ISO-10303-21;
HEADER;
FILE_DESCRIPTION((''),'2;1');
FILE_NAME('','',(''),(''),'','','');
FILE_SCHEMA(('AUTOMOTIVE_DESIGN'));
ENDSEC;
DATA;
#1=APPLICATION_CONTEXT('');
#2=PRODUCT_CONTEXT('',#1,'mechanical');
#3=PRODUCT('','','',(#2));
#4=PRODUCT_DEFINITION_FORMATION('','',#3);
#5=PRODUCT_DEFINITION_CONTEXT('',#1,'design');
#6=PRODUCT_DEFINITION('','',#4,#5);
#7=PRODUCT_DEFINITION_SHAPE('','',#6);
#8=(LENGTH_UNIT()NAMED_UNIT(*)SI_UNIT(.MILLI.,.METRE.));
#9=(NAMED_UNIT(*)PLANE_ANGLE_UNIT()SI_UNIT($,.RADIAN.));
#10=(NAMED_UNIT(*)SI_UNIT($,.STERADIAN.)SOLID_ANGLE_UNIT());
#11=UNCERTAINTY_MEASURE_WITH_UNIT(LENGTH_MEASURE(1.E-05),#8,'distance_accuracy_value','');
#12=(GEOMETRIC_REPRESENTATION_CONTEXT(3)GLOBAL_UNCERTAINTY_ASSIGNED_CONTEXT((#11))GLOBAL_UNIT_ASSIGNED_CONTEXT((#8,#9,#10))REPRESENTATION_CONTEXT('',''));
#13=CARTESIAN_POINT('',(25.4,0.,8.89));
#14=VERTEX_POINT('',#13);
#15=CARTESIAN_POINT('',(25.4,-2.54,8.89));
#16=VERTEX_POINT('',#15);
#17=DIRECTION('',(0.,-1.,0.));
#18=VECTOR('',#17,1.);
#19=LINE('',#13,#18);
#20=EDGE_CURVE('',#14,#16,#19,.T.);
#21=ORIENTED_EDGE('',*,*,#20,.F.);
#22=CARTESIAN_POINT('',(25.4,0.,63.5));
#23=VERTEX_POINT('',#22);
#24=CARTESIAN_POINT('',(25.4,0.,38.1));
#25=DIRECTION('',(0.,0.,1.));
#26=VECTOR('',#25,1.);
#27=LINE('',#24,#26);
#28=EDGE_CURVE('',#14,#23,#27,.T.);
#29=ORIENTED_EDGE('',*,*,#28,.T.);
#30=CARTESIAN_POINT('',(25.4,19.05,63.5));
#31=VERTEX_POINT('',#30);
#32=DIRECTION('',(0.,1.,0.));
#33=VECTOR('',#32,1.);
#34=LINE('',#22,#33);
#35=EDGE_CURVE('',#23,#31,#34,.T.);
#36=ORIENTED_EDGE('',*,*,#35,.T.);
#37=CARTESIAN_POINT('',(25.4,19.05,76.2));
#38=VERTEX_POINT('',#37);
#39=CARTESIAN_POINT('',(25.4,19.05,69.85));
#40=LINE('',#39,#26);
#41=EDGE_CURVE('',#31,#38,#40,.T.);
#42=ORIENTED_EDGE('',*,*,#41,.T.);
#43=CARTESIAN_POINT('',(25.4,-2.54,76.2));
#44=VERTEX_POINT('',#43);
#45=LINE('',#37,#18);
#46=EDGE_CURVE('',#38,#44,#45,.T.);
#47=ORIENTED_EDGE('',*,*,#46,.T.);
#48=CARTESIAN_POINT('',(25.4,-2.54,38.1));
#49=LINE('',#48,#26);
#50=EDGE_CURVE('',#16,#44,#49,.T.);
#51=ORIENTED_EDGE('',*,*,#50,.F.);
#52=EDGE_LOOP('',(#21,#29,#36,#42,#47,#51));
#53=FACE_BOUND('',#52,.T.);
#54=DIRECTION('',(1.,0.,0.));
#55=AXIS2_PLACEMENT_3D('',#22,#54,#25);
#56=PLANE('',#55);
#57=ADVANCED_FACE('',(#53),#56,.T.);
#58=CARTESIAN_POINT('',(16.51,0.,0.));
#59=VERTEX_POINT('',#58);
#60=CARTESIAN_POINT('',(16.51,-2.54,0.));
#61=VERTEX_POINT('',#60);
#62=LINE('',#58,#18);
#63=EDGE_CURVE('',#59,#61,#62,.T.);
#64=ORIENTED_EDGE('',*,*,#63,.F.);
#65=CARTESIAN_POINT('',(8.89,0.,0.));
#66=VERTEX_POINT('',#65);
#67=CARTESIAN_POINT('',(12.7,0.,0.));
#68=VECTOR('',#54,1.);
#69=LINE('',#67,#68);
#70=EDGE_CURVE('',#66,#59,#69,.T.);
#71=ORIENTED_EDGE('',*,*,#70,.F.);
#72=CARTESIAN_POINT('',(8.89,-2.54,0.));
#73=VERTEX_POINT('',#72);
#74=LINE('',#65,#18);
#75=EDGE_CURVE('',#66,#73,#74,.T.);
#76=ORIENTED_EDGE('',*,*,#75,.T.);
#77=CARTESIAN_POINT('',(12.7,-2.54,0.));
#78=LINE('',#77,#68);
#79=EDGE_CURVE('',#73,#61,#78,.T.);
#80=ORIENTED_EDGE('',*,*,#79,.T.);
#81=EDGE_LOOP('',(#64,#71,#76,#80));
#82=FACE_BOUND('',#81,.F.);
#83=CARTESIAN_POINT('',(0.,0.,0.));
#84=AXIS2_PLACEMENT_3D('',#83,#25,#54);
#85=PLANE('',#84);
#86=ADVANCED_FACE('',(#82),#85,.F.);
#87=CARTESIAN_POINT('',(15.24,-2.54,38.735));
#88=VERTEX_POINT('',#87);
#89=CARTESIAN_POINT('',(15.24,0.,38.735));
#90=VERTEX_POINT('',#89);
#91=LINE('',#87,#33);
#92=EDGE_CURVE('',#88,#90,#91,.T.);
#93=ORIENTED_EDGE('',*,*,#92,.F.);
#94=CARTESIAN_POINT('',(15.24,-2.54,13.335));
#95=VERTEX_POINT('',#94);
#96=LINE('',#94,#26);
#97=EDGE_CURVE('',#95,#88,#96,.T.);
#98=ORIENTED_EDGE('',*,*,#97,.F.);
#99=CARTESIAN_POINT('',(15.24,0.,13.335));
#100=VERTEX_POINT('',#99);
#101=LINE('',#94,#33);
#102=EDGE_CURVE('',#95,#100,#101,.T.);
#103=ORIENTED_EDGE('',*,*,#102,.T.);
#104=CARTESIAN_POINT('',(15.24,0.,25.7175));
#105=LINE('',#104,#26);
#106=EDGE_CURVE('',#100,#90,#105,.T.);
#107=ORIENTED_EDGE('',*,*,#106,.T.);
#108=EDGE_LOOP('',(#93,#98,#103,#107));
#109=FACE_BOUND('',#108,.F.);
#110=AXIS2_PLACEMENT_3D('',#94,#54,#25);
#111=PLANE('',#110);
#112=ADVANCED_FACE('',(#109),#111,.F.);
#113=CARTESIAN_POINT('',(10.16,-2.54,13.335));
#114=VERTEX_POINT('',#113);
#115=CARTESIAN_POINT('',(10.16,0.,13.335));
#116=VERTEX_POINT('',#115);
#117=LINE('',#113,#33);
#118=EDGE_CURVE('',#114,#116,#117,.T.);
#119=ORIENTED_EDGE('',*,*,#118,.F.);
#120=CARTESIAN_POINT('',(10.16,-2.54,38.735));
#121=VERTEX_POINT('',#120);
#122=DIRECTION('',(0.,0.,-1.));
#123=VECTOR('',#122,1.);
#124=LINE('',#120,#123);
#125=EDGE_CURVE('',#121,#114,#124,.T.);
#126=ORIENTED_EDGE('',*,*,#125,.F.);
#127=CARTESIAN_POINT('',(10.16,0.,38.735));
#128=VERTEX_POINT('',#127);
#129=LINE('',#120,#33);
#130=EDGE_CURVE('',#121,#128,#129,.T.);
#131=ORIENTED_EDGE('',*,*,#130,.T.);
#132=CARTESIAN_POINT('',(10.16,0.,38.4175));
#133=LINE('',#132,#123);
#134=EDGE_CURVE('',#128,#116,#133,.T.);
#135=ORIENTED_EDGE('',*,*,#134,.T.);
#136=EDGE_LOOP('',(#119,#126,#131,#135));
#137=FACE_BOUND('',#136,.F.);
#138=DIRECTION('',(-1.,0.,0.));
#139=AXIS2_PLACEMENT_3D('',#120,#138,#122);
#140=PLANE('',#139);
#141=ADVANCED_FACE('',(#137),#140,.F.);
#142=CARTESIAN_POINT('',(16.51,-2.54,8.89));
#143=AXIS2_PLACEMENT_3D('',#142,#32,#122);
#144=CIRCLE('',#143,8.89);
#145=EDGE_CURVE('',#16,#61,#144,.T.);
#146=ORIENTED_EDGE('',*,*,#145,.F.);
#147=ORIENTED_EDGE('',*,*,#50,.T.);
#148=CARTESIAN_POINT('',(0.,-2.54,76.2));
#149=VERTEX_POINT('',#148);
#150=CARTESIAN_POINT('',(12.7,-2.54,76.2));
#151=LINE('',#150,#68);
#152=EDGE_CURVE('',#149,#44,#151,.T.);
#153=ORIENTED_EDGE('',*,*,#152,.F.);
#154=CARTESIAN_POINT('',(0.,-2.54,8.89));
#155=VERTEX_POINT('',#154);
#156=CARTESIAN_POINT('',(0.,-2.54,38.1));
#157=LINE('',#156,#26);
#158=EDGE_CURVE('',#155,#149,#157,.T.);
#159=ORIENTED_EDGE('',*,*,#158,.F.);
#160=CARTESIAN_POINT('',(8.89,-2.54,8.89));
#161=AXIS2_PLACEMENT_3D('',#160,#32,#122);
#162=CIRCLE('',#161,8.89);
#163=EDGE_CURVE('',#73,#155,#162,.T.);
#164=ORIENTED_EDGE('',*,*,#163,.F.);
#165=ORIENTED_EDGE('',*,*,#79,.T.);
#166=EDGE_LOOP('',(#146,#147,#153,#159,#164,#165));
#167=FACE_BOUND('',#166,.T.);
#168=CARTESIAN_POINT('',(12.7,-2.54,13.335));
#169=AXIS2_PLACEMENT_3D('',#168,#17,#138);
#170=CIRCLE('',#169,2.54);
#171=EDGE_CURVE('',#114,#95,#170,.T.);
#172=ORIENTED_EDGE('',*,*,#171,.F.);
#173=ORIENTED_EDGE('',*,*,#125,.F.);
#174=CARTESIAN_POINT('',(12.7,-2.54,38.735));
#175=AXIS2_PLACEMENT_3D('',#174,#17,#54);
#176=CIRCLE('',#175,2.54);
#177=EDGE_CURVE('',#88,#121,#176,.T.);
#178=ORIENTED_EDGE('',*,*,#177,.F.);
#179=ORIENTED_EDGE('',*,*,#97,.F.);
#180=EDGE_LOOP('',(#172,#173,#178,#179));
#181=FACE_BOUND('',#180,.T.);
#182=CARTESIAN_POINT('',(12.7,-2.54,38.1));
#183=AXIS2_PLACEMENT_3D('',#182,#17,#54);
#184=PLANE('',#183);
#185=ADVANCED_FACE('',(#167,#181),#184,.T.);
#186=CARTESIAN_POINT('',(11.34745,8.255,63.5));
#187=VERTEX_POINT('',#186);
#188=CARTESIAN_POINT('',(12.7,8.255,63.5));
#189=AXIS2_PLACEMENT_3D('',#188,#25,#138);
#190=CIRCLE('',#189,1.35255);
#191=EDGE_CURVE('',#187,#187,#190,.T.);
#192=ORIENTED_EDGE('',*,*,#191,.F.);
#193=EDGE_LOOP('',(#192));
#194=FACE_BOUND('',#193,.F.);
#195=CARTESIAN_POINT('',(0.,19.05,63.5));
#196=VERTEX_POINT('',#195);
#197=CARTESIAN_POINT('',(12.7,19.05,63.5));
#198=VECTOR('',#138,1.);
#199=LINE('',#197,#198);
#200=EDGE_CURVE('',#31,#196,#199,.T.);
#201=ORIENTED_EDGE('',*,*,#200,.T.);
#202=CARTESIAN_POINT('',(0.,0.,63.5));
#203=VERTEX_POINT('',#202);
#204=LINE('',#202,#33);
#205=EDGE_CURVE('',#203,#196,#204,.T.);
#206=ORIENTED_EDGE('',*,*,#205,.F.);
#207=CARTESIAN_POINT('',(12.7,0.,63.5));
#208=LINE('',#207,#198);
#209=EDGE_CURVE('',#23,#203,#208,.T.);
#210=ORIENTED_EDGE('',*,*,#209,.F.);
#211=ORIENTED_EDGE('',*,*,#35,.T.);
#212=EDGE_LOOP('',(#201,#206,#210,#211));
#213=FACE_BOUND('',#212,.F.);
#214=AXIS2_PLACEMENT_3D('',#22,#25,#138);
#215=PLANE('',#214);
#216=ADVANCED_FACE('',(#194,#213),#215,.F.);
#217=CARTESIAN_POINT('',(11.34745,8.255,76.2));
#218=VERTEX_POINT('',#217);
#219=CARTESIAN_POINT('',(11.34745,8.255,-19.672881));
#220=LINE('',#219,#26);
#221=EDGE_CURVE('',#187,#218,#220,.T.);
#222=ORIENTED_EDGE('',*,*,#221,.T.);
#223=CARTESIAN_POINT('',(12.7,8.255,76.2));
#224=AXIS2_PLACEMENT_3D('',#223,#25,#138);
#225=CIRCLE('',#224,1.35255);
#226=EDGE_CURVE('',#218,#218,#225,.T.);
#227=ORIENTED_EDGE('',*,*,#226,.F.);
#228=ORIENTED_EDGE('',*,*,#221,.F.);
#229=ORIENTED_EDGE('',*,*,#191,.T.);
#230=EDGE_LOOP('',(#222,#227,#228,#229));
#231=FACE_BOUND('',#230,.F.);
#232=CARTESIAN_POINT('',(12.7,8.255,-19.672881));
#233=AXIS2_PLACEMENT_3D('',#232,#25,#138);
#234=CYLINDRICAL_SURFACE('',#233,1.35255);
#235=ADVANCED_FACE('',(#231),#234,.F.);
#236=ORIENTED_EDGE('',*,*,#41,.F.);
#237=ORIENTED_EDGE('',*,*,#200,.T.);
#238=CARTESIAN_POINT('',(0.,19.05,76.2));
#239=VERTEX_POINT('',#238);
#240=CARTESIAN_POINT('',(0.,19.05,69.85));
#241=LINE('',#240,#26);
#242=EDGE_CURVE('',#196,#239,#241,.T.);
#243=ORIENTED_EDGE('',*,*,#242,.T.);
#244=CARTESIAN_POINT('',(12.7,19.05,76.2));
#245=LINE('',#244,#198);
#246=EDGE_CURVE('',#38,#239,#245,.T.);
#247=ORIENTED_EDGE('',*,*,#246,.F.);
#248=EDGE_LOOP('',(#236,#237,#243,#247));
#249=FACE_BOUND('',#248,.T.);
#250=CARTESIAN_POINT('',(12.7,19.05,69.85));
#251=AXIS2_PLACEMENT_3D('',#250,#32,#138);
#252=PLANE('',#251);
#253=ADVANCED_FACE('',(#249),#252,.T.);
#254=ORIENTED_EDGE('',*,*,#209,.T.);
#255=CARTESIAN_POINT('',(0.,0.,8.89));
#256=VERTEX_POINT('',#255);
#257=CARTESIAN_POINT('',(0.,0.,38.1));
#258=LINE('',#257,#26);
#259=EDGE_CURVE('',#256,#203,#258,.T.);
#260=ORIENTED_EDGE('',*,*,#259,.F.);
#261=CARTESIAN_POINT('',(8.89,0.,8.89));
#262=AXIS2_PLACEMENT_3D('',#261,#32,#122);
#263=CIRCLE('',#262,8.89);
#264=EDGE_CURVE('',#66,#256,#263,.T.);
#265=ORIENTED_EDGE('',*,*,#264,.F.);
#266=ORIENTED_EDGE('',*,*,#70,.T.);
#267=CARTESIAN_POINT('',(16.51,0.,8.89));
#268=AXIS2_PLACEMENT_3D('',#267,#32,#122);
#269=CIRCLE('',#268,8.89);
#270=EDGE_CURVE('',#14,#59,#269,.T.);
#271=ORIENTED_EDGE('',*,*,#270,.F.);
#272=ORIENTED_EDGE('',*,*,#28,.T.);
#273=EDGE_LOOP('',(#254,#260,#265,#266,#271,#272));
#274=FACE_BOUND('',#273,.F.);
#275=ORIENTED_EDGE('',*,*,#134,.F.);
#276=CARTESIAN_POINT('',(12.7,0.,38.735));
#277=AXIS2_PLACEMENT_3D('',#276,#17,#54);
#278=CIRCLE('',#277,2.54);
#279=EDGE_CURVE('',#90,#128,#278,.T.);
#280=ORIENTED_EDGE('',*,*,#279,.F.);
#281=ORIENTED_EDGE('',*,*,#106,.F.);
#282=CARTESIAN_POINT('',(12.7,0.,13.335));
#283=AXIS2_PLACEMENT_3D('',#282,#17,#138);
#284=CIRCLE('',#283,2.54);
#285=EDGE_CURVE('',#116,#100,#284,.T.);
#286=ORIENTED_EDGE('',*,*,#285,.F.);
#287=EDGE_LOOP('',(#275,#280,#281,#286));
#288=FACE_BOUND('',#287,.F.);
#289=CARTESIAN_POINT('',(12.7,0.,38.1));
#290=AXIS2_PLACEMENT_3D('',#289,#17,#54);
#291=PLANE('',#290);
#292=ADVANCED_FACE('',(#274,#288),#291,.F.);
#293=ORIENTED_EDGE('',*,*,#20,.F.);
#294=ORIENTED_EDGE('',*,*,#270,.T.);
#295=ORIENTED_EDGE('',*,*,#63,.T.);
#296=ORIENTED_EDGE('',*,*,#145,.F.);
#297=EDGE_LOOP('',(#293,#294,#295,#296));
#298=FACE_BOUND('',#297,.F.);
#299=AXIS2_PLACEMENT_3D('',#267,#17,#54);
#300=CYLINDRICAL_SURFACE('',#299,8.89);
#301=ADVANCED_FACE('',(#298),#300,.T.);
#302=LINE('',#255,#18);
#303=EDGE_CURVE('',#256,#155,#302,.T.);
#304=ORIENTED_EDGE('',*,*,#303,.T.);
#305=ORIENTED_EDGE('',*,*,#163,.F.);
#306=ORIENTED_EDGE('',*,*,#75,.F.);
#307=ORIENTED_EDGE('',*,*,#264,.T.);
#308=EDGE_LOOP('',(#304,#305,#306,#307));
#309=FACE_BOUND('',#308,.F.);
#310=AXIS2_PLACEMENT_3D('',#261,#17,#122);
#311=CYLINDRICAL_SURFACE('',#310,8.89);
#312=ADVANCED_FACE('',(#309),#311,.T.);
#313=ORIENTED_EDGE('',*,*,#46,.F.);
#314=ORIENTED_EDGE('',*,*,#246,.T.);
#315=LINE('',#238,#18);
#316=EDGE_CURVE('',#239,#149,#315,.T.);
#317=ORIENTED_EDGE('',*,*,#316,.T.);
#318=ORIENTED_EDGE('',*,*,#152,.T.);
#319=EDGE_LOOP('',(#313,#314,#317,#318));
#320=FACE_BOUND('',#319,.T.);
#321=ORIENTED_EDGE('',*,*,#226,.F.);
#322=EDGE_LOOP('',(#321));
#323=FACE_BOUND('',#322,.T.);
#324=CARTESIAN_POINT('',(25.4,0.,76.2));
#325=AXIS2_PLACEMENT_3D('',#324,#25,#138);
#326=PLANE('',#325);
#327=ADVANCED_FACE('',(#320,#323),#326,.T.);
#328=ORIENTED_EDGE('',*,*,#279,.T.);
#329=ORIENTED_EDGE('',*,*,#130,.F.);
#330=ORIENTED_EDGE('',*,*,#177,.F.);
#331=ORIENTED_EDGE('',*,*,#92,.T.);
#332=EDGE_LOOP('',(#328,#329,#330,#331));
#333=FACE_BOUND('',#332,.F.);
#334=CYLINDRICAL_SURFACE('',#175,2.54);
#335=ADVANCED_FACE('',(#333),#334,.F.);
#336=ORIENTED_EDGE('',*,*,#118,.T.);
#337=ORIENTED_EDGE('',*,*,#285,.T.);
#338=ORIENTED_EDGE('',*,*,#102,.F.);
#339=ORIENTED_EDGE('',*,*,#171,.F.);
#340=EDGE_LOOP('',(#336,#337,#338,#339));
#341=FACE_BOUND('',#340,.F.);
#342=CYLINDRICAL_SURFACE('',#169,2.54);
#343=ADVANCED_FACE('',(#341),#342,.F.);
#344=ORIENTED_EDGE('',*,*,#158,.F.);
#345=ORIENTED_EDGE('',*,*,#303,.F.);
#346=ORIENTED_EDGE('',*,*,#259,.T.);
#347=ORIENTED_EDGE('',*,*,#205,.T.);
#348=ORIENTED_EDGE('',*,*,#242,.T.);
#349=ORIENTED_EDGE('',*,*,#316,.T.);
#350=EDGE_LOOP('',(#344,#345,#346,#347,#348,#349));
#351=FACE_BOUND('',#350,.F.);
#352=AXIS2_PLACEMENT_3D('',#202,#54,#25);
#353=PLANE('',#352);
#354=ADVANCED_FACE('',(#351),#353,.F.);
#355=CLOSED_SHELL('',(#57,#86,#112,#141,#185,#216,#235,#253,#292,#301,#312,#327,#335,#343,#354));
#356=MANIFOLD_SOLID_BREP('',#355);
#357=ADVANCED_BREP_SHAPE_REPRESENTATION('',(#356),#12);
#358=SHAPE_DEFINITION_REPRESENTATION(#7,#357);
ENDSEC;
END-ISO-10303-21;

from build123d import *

# Parameters (mm, degrees)
F0_W     = 25.4
F0_H     = 76.2
F1_DEPTH = 2.54
F2_W     = 25.4
F2_H     = 12.7
F3_DEPTH = 19.05
F5_D     = 2.7051
F7_DEPTH = 21.591
F8_R     = 8.89


with BuildPart() as f1:
    # F0 (on Front) → F1 (new body)
    with BuildSketch(Plane.XZ):
        with Locations((12.7, 38.1)):
            Rectangle(F0_W, F0_H)
    extrude(amount=F1_DEPTH)

    # F2 (on face) → F3 (join)
    with BuildSketch(Plane(origin=(0, 0, 0), x_dir=(-1, 0, 0), z_dir=(0, 1, 0))):
        with Locations((-12.7, 69.85)):
            Rectangle(F2_W, F2_H)
    extrude(amount=F3_DEPTH)

    # F5 (through all)
    with Locations(Plane(origin=(0, 0, 63.5), x_dir=(1, 0, 0), z_dir=(0, 0, -1))):
        with Locations((12.7, -8.255)):
            Hole(F5_D / 2)

    # F6 (on face) → F7 (cut, through all)
    with BuildSketch(Plane.XZ.offset(2.54)):
        with BuildLine():
            ThreePointArc((15.24, 38.735), (12.7, 41.275), (10.16, 38.735))
            Line((10.16, 38.735), (10.16, 13.335))
            ThreePointArc((10.16, 13.335), (12.7, 10.795), (15.24, 13.335))
            Line((15.24, 13.335), (15.24, 38.735))
        make_face()
    extrude(amount=-F7_DEPTH, mode=Mode.SUBTRACT)

    # F8
    f8_edges = [f1.edges().sort_by_distance(p)[0] for p in [
        (0, -1.27, 0),
        (25.4, -1.27, 0),
    ]]
    fillet(f8_edges, radius=F8_R)


solid = f1.part
